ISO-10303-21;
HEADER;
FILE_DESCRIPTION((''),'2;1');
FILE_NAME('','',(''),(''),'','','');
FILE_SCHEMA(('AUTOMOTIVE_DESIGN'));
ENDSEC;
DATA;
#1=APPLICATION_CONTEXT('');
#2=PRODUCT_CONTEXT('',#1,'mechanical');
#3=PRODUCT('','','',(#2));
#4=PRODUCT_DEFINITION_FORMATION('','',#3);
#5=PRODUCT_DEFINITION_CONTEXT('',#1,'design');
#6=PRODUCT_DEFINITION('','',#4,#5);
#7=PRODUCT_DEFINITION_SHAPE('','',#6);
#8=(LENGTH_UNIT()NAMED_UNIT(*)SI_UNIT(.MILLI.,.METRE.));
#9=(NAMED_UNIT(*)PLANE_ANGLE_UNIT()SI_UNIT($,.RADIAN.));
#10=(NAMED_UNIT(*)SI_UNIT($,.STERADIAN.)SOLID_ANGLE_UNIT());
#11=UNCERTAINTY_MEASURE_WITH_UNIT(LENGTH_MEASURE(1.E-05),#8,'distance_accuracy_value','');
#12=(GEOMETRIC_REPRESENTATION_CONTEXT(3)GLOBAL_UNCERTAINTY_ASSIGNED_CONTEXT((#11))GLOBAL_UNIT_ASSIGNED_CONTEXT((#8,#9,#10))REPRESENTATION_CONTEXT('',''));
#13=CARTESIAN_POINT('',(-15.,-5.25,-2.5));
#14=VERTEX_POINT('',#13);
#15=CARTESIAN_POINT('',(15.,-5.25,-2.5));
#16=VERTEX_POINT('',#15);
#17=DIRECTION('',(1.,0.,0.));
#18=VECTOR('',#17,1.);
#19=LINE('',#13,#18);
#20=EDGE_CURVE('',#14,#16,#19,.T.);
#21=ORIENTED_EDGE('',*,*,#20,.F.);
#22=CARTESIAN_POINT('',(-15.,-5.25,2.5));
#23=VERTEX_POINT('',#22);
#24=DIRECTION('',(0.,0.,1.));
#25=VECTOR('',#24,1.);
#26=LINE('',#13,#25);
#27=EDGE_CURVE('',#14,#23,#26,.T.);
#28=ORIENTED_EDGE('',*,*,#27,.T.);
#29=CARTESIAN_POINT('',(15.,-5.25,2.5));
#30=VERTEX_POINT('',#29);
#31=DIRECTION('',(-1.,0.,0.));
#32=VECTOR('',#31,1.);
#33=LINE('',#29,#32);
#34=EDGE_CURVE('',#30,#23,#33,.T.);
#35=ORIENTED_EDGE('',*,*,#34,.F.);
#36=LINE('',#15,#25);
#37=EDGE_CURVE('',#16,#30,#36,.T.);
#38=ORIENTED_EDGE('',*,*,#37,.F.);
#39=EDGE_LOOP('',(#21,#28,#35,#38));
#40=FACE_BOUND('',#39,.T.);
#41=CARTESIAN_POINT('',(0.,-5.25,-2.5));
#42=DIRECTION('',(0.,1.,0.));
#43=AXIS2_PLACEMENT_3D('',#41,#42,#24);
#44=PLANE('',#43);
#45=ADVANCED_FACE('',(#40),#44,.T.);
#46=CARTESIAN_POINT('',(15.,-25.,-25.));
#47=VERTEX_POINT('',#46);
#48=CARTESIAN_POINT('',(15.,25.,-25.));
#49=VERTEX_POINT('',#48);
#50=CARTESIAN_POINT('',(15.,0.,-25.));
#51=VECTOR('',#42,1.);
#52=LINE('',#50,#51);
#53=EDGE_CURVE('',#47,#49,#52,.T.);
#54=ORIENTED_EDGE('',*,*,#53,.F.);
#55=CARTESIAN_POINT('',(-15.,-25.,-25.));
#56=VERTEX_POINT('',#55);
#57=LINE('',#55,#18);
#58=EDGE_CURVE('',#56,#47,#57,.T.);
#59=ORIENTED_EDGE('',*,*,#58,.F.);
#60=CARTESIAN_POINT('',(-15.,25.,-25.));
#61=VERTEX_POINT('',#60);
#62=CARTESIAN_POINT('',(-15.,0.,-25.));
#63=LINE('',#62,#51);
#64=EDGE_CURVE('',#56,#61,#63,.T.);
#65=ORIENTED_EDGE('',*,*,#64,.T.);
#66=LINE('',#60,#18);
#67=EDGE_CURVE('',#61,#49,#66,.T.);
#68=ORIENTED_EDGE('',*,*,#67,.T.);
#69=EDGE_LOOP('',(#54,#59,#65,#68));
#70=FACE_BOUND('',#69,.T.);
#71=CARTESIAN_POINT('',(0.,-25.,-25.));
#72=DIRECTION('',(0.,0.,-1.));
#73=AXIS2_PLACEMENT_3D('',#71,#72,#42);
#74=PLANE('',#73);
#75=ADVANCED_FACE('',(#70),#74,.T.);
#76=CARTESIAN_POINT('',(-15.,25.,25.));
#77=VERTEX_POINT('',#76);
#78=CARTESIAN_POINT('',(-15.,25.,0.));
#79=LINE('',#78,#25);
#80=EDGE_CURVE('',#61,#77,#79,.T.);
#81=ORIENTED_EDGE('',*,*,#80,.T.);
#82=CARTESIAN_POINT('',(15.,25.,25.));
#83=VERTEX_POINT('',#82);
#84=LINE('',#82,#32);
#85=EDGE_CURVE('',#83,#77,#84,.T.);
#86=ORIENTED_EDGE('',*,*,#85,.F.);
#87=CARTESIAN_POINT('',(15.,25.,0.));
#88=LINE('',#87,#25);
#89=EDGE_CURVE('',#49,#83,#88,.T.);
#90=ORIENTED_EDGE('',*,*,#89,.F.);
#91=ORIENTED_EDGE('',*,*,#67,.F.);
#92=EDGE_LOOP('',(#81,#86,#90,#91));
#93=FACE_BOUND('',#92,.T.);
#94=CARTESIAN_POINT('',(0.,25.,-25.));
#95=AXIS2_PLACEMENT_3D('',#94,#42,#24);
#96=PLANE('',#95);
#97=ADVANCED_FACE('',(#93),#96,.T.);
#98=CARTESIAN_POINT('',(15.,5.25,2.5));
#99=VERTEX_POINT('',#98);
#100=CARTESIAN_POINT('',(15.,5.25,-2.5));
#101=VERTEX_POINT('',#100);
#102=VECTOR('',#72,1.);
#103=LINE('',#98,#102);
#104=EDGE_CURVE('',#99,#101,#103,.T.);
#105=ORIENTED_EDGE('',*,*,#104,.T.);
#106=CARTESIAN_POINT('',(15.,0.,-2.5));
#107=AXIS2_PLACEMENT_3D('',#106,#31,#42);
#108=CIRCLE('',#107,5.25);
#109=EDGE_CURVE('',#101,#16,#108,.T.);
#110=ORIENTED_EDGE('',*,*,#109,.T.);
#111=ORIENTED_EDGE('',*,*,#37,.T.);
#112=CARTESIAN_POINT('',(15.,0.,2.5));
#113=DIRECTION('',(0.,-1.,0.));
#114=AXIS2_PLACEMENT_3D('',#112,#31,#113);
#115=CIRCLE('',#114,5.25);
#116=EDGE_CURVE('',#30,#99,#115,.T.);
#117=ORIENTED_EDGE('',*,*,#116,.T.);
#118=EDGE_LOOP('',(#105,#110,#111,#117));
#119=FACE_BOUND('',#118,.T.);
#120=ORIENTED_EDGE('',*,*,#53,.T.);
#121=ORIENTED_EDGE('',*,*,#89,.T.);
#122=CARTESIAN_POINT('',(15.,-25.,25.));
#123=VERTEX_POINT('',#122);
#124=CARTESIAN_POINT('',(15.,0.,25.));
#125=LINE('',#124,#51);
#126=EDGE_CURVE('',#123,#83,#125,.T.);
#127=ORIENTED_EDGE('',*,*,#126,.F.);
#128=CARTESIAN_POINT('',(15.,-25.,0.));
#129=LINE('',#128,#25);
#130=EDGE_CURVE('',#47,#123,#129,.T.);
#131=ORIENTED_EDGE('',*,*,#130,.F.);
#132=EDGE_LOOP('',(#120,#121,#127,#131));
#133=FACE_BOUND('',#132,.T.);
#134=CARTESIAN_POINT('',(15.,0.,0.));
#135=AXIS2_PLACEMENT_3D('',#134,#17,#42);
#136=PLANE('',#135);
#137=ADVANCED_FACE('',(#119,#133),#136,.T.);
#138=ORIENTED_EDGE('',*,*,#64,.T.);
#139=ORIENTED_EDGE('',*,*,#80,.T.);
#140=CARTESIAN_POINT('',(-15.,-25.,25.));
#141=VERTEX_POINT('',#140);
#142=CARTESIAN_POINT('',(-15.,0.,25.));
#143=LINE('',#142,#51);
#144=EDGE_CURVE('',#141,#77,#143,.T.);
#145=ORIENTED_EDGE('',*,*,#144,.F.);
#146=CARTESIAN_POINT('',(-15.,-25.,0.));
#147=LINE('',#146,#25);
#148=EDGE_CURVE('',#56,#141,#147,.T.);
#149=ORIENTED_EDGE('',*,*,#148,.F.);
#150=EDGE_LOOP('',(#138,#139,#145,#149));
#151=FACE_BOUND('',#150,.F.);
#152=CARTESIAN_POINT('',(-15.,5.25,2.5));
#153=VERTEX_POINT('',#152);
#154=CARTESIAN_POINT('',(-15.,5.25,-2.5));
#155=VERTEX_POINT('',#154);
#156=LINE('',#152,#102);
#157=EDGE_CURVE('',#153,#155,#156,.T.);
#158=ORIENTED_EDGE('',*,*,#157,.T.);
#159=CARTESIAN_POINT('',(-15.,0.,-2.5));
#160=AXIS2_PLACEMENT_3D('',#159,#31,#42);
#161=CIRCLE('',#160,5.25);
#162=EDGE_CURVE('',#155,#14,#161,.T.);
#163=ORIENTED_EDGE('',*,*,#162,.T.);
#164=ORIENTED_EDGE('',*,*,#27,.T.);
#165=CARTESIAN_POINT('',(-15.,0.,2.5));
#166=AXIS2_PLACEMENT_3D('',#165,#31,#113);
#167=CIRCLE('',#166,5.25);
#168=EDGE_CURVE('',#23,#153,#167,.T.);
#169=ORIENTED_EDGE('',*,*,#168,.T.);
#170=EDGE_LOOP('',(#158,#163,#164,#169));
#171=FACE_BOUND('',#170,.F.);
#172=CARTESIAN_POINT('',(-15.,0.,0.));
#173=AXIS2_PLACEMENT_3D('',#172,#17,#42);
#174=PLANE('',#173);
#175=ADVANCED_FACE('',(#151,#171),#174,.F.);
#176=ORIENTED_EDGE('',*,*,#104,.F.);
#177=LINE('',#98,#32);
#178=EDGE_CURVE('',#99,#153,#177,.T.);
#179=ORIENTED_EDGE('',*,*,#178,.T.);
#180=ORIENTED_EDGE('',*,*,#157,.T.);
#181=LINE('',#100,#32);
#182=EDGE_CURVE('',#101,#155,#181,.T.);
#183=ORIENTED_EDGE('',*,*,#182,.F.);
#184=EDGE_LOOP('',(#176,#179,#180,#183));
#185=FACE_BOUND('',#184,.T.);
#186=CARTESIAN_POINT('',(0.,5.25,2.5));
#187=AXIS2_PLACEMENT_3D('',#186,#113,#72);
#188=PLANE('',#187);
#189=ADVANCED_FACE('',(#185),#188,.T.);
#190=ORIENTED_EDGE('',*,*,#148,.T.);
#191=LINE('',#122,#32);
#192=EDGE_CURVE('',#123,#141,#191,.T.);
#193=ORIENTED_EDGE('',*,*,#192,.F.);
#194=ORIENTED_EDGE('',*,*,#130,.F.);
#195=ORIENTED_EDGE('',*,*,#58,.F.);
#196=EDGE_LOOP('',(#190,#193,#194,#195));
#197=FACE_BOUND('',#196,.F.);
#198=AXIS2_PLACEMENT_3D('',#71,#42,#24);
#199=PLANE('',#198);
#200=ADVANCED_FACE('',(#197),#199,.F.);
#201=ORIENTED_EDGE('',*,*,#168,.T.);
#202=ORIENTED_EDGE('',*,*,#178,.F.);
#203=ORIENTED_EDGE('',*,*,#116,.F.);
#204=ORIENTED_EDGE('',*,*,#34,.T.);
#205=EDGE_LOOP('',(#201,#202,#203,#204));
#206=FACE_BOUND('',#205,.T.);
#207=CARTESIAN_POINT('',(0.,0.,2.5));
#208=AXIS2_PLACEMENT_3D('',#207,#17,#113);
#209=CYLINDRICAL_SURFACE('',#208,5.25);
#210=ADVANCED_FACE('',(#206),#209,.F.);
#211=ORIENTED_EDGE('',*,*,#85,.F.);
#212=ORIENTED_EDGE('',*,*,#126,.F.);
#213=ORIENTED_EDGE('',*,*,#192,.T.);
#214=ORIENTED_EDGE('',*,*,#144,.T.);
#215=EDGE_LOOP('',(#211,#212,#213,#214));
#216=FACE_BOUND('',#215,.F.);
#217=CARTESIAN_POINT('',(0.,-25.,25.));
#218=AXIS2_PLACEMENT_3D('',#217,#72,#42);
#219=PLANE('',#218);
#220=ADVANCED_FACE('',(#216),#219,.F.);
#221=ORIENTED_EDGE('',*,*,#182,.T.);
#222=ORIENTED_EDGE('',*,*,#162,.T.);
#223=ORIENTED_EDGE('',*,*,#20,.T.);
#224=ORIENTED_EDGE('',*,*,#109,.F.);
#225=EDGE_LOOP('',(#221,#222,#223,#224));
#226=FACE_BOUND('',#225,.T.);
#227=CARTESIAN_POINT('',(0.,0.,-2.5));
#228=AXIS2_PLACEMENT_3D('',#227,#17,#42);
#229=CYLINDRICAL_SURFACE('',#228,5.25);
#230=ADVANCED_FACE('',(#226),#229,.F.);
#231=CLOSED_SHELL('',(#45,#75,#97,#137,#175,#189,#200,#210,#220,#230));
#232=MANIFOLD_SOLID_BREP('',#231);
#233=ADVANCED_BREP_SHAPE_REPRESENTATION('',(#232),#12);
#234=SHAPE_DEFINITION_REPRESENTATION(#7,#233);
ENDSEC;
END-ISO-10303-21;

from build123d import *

# Parameters (mm, degrees)
F0_W     = 50
F0_H     = 50
F1_DEPTH = 15


with BuildPart() as f1:
    # F0 (on Right) → F1 (new body, symmetric)
    with BuildSketch(Plane.YZ):
        Rectangle(F0_W, F0_H)
        with BuildLine():
            Line((-5.25, -2.5), (-5.25, 2.5))
            ThreePointArc((-5.25, 2.5), (0, 7.75), (5.25, 2.5))
            Line((5.25, 2.5), (5.25, -2.5))
            ThreePointArc((5.25, -2.5), (0, -7.75), (-5.25, -2.5))
        make_face(mode=Mode.SUBTRACT)
    extrude(amount=F1_DEPTH, both=True)


solid = f1.part
